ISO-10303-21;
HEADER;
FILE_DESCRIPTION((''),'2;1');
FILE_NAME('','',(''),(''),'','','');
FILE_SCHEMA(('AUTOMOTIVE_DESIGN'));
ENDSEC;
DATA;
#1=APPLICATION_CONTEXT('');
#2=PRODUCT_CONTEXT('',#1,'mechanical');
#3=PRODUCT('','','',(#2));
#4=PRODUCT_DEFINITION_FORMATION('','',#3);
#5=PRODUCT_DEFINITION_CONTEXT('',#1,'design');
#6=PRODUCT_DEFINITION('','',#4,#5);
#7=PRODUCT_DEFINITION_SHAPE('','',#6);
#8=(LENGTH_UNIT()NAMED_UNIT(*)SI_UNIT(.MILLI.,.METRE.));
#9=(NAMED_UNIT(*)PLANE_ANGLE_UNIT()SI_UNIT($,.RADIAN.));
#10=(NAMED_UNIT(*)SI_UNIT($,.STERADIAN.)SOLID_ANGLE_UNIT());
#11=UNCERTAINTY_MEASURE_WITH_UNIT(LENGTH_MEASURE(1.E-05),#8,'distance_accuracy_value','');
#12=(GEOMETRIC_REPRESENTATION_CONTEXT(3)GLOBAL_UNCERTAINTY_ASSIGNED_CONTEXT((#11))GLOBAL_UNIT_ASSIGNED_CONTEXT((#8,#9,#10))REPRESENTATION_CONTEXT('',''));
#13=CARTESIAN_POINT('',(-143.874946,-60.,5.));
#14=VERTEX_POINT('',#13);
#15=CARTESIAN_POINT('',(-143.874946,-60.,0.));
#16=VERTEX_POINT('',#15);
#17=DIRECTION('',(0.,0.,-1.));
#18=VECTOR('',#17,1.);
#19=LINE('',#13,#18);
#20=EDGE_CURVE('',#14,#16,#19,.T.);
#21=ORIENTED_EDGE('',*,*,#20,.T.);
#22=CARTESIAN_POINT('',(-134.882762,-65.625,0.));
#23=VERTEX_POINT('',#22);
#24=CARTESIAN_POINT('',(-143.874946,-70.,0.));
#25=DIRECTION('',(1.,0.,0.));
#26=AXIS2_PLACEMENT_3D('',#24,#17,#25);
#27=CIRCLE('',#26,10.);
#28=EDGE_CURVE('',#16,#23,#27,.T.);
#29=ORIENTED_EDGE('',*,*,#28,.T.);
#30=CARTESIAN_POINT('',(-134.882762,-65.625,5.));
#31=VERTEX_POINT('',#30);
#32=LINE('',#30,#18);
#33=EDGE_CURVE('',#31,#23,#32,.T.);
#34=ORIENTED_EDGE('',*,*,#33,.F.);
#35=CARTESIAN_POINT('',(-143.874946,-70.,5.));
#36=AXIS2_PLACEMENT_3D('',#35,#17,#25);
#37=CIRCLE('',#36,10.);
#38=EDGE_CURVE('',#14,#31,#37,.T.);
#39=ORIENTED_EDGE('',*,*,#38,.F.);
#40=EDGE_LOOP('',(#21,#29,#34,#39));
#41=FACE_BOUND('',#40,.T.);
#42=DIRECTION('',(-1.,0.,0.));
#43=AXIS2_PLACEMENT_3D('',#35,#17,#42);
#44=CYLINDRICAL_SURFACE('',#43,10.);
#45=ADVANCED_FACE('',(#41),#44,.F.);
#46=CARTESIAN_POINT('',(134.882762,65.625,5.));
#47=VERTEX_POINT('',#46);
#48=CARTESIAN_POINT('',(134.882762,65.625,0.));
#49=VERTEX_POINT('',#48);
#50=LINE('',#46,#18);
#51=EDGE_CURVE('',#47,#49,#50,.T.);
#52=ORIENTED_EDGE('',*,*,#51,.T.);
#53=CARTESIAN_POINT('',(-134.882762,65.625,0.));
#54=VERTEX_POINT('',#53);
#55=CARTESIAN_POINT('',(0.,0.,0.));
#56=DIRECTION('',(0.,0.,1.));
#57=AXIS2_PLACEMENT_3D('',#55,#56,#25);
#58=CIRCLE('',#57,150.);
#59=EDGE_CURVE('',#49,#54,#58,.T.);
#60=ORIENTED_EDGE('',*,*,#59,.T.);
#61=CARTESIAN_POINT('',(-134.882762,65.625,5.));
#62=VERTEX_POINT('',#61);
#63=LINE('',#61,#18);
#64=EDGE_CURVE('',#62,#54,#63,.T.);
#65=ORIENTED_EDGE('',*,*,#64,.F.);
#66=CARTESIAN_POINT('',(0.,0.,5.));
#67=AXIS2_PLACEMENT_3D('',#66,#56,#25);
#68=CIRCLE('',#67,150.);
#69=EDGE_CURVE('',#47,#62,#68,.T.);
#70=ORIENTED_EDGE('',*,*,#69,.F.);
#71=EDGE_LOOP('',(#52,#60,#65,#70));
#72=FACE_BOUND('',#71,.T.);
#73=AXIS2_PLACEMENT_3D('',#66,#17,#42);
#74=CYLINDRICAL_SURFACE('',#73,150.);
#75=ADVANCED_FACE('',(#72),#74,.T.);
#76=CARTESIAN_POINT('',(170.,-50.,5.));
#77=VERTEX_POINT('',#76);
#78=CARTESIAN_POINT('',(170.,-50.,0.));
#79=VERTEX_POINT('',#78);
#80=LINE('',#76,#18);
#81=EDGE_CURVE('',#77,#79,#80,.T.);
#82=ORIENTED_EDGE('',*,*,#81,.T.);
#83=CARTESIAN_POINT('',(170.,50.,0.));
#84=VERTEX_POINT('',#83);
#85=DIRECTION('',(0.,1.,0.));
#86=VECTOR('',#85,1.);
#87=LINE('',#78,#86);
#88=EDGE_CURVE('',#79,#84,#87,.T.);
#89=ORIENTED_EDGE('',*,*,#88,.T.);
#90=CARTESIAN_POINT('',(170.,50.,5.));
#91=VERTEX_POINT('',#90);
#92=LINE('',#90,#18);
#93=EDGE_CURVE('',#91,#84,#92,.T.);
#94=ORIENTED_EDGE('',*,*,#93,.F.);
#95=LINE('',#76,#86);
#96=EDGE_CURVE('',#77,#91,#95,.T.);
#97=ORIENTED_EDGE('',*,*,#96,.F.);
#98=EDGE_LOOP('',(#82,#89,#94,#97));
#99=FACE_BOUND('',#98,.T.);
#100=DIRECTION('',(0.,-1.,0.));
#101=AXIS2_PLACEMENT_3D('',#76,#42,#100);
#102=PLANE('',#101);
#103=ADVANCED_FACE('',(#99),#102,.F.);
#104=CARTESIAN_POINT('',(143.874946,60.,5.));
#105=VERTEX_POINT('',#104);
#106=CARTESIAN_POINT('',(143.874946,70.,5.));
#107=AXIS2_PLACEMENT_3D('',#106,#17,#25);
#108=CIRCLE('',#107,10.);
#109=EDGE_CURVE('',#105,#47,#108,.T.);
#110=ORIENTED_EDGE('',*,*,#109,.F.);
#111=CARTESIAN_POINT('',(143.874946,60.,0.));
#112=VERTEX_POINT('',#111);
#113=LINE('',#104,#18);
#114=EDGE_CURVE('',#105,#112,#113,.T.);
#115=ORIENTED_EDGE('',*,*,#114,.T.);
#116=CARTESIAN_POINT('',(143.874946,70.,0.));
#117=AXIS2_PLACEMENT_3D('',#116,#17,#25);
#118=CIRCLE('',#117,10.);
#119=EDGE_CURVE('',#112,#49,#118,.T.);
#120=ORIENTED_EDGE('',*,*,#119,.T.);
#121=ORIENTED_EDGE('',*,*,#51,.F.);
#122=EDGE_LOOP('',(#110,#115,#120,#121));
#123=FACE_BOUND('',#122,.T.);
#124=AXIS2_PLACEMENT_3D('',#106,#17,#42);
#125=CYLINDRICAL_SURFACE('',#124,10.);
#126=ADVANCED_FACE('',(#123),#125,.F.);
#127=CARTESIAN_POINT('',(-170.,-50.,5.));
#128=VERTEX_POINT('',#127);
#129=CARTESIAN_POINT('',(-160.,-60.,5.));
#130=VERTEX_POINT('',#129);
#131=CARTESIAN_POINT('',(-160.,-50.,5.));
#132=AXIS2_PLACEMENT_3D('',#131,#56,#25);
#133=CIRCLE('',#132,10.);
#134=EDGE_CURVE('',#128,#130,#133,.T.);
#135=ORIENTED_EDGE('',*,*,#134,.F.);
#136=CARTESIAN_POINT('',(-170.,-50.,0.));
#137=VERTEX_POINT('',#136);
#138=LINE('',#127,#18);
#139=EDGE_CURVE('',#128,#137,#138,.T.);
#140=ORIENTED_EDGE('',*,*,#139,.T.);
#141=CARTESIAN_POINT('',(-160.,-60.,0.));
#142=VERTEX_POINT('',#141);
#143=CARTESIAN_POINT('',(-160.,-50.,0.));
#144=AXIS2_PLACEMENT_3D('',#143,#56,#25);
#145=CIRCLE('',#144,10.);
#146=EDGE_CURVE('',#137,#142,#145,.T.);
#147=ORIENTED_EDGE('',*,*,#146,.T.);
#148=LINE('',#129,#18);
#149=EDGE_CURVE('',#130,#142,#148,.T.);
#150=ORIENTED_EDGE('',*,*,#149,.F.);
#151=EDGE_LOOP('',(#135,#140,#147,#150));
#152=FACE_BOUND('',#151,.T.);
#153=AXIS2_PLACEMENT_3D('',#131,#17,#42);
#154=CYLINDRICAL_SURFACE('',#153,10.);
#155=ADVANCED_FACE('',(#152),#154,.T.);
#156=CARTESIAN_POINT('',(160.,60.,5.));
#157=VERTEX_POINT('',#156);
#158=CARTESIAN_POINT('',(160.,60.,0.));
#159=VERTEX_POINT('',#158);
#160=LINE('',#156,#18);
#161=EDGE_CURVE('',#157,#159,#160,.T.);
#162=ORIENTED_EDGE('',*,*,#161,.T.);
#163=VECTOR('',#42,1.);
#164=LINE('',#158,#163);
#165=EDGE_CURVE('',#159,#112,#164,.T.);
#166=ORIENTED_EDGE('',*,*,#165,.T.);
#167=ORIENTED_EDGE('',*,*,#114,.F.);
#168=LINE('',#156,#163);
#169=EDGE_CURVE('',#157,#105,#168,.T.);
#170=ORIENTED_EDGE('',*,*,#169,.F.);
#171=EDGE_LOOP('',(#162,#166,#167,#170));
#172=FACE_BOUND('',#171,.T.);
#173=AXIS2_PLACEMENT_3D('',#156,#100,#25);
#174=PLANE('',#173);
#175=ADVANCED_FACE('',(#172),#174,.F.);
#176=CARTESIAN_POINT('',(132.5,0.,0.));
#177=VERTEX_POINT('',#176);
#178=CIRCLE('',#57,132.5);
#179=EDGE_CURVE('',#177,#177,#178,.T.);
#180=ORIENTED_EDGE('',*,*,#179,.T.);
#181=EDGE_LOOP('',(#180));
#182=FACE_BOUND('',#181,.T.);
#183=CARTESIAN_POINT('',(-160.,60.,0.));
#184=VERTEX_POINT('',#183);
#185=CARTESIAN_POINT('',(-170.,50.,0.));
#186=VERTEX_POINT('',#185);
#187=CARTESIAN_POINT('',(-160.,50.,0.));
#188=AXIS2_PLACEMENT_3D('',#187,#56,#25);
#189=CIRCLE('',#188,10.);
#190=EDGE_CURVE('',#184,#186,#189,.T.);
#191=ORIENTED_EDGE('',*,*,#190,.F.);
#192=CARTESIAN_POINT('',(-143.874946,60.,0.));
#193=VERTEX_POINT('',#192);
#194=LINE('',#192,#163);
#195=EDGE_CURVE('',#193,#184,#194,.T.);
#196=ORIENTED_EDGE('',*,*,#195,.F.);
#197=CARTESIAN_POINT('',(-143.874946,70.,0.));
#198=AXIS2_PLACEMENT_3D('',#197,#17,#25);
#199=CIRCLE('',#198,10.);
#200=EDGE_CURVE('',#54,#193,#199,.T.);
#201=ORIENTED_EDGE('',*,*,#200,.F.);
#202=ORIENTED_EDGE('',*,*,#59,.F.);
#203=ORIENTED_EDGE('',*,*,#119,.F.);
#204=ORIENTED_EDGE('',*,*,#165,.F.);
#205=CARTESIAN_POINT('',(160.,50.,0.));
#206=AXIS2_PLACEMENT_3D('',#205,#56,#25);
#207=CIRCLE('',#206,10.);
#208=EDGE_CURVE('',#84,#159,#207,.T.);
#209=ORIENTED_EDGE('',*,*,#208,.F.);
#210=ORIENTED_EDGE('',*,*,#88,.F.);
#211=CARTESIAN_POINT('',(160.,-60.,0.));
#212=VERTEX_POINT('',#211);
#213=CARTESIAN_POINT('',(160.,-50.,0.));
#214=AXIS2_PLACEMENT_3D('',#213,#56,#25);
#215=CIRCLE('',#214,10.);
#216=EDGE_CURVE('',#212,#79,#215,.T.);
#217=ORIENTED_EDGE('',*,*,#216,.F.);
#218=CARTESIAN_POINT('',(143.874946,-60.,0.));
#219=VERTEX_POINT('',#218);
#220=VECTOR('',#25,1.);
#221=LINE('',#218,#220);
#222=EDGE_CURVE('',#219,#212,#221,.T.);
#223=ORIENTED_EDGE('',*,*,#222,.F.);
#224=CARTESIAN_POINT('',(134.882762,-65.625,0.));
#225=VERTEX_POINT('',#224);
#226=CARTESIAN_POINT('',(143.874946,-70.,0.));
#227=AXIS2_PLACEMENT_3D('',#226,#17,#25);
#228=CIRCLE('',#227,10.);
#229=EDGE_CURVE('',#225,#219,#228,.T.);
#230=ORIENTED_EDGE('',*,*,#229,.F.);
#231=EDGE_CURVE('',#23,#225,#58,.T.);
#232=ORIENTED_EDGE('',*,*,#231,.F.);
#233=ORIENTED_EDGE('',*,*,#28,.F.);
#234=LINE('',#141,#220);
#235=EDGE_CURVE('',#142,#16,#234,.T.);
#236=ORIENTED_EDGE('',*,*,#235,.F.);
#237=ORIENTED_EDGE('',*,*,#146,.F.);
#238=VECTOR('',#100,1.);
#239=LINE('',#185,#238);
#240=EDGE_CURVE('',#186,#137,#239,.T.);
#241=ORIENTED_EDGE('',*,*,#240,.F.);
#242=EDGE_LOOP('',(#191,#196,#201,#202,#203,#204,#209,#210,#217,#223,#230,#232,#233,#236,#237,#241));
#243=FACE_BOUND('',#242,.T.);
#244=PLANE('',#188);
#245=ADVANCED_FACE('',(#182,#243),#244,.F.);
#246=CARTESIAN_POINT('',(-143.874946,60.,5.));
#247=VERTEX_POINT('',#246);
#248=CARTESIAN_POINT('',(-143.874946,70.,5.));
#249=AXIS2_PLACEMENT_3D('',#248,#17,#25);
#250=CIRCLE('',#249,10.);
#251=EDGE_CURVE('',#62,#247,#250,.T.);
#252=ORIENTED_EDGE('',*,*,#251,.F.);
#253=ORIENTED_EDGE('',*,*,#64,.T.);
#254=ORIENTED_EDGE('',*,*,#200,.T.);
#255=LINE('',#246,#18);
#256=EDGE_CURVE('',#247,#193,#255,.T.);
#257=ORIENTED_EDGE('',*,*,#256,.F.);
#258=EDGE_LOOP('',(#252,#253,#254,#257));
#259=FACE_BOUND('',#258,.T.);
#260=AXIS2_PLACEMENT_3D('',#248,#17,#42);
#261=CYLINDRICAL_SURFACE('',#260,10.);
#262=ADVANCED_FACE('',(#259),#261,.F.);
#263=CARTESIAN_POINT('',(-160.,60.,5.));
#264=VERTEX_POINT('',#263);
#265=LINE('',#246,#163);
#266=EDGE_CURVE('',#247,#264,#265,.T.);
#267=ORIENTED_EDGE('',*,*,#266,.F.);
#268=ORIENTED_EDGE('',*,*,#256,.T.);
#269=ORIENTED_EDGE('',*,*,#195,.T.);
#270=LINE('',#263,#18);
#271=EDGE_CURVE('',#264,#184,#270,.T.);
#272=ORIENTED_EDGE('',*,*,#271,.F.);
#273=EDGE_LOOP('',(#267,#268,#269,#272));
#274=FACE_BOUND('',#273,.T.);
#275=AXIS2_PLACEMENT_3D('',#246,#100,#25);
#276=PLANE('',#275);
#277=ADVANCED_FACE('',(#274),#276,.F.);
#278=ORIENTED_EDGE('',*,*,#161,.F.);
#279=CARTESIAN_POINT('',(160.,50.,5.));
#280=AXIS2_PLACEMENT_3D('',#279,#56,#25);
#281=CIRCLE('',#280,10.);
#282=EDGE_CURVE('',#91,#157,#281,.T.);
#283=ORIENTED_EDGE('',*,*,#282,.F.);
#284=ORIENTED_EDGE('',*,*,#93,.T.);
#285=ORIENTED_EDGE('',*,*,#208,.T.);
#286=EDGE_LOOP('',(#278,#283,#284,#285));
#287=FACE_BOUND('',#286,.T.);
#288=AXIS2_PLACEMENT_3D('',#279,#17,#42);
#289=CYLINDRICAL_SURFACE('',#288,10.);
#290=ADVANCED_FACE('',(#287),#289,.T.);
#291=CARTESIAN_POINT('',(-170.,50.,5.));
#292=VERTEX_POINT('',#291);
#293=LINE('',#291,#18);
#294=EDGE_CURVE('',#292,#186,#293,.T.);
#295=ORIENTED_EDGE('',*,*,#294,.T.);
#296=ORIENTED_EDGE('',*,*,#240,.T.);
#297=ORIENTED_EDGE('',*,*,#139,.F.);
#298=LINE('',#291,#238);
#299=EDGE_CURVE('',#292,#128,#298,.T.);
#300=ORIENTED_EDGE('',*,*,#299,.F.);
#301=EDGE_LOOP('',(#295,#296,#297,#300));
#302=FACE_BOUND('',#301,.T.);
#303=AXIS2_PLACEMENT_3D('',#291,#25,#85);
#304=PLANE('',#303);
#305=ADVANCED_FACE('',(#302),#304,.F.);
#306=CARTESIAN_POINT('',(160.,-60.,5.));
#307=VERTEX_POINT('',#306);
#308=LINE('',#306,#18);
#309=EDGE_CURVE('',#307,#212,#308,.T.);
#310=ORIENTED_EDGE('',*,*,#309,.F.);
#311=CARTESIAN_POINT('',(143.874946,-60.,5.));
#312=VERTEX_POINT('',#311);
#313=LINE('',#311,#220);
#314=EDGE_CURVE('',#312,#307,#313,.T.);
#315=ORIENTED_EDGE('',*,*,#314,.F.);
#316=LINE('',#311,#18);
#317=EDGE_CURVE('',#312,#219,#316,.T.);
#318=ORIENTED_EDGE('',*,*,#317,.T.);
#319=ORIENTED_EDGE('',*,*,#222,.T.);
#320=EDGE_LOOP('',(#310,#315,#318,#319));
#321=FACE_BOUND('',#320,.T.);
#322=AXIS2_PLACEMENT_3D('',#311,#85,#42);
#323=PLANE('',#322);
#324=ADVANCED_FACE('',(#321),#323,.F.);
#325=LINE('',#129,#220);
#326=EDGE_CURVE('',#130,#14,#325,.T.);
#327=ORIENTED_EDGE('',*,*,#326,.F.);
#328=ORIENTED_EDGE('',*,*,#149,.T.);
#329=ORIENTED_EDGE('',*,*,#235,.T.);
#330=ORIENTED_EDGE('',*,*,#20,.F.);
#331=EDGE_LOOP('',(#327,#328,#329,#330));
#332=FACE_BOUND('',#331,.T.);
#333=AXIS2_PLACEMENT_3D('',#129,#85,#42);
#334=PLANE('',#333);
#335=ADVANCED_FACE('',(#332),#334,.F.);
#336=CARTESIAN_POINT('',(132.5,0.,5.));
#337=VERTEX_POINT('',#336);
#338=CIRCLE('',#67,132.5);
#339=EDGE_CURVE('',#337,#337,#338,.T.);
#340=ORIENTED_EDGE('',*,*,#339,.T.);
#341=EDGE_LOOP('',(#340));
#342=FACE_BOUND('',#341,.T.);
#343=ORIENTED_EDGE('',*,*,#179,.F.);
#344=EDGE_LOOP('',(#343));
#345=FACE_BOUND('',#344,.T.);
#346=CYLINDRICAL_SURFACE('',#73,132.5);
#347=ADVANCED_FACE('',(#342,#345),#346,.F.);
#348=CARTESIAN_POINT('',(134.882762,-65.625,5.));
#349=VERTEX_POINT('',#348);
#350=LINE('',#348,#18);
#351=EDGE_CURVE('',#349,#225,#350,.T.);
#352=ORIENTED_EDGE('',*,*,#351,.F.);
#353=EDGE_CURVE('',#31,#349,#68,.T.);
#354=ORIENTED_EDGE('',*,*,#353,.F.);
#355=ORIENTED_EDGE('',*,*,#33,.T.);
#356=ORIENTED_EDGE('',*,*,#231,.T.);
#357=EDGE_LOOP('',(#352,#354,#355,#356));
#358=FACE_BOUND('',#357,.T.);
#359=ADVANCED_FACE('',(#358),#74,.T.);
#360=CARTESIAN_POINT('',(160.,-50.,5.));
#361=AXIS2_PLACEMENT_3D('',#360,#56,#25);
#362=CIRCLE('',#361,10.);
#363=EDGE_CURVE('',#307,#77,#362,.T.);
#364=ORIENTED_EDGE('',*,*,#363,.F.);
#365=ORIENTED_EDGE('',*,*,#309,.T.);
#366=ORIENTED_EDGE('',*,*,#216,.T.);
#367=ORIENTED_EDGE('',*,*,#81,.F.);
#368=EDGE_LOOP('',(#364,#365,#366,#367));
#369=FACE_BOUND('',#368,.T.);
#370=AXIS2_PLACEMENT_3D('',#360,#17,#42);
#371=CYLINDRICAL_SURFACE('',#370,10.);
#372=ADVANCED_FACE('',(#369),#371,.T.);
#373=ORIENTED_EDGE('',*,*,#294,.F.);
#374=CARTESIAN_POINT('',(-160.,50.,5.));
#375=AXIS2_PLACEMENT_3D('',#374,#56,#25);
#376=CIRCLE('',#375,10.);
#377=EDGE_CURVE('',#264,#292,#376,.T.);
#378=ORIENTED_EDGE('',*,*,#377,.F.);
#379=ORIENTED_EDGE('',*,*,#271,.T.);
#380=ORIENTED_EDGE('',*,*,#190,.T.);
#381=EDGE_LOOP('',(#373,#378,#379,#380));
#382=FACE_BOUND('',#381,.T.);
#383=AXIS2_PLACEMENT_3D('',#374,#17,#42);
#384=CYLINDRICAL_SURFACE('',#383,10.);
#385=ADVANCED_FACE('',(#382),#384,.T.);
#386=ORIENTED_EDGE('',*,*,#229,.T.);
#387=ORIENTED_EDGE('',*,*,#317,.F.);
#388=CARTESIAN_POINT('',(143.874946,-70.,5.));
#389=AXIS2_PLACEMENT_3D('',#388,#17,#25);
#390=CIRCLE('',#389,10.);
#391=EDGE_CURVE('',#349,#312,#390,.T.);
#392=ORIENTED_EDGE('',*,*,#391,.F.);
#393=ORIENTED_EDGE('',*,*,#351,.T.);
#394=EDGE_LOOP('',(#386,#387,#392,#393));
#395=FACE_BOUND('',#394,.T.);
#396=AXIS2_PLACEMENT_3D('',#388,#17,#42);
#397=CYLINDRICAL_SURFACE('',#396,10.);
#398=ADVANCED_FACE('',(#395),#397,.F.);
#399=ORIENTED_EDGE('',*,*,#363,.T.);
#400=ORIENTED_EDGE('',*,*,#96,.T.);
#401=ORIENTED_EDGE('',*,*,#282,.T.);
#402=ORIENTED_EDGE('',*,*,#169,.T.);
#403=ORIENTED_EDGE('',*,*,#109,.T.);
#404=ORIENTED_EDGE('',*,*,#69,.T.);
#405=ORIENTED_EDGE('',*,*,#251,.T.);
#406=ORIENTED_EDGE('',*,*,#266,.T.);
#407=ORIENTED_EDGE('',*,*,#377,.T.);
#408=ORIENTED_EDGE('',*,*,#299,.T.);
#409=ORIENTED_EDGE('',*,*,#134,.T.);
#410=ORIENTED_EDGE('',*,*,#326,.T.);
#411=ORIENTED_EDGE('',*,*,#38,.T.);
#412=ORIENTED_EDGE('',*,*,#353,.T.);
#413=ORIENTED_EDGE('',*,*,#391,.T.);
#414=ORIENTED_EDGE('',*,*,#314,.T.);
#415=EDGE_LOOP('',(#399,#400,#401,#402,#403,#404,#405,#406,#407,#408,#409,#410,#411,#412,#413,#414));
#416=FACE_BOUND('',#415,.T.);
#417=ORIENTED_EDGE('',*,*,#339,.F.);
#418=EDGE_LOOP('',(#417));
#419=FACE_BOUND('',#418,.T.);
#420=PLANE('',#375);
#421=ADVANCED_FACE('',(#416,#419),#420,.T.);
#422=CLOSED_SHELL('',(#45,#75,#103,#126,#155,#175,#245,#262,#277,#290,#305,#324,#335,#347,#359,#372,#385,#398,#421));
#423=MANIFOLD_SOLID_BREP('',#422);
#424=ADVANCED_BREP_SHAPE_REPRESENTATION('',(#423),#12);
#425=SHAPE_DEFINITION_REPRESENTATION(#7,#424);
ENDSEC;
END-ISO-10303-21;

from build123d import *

# Parameters (mm, degrees)
EXTRUDE_2_DEPTH = 5


with BuildPart() as part:
    # 草图1 → 凸台-拉伸2 (new body)
    with BuildSketch(Plane.XY):
        with BuildLine():
            Line((-170, 50), (-170, -50))
            ThreePointArc((-170, -50), (-167.071067812, -57.071067812), (-160, -60))
            Line((-160, -60), (-143.874945699, -60))
            ThreePointArc((-143.874945699, -60), (-138.57164484, -61.522087521), (-134.882761593, -65.625))
            ThreePointArc((-134.882761593, -65.625), (-79.549512883, -127.168687184), (0, -150))
            ThreePointArc((0, -150), (79.549512883, -127.168687184), (134.882761593, -65.625))
            ThreePointArc((134.882761593, -65.625), (138.57164484, -61.522087521), (143.874945699, -60))
            Line((143.874945699, -60), (160, -60))
            ThreePointArc((160, -60), (167.071067812, -57.071067812), (170, -50))
            Line((170, -50), (170, 50))
            ThreePointArc((170, 50), (167.071067812, 57.071067812), (160, 60))
            Line((160, 60), (143.874945699, 60))
            ThreePointArc((143.874945699, 60), (138.57164484, 61.522087521), (134.882761593, 65.625))
            ThreePointArc((134.882761593, 65.625), (0, 150), (-134.882761593, 65.625))
            ThreePointArc((-134.882761593, 65.625), (-138.57164484, 61.522087521), (-143.874945699, 60))
            Line((-143.874945699, 60), (-160, 60))
            ThreePointArc((-160, 60), (-167.071067812, 57.071067812), (-170, 50))
        make_face()
        with BuildLine():
            ThreePointArc((0, -132.5), (132.5, 0), (0, 132.5))
            ThreePointArc((0, 132.5), (-132.5, 0), (0, -132.5))
        make_face(mode=Mode.SUBTRACT)
    extrude(amount=EXTRUDE_2_DEPTH)


solid = part.part
